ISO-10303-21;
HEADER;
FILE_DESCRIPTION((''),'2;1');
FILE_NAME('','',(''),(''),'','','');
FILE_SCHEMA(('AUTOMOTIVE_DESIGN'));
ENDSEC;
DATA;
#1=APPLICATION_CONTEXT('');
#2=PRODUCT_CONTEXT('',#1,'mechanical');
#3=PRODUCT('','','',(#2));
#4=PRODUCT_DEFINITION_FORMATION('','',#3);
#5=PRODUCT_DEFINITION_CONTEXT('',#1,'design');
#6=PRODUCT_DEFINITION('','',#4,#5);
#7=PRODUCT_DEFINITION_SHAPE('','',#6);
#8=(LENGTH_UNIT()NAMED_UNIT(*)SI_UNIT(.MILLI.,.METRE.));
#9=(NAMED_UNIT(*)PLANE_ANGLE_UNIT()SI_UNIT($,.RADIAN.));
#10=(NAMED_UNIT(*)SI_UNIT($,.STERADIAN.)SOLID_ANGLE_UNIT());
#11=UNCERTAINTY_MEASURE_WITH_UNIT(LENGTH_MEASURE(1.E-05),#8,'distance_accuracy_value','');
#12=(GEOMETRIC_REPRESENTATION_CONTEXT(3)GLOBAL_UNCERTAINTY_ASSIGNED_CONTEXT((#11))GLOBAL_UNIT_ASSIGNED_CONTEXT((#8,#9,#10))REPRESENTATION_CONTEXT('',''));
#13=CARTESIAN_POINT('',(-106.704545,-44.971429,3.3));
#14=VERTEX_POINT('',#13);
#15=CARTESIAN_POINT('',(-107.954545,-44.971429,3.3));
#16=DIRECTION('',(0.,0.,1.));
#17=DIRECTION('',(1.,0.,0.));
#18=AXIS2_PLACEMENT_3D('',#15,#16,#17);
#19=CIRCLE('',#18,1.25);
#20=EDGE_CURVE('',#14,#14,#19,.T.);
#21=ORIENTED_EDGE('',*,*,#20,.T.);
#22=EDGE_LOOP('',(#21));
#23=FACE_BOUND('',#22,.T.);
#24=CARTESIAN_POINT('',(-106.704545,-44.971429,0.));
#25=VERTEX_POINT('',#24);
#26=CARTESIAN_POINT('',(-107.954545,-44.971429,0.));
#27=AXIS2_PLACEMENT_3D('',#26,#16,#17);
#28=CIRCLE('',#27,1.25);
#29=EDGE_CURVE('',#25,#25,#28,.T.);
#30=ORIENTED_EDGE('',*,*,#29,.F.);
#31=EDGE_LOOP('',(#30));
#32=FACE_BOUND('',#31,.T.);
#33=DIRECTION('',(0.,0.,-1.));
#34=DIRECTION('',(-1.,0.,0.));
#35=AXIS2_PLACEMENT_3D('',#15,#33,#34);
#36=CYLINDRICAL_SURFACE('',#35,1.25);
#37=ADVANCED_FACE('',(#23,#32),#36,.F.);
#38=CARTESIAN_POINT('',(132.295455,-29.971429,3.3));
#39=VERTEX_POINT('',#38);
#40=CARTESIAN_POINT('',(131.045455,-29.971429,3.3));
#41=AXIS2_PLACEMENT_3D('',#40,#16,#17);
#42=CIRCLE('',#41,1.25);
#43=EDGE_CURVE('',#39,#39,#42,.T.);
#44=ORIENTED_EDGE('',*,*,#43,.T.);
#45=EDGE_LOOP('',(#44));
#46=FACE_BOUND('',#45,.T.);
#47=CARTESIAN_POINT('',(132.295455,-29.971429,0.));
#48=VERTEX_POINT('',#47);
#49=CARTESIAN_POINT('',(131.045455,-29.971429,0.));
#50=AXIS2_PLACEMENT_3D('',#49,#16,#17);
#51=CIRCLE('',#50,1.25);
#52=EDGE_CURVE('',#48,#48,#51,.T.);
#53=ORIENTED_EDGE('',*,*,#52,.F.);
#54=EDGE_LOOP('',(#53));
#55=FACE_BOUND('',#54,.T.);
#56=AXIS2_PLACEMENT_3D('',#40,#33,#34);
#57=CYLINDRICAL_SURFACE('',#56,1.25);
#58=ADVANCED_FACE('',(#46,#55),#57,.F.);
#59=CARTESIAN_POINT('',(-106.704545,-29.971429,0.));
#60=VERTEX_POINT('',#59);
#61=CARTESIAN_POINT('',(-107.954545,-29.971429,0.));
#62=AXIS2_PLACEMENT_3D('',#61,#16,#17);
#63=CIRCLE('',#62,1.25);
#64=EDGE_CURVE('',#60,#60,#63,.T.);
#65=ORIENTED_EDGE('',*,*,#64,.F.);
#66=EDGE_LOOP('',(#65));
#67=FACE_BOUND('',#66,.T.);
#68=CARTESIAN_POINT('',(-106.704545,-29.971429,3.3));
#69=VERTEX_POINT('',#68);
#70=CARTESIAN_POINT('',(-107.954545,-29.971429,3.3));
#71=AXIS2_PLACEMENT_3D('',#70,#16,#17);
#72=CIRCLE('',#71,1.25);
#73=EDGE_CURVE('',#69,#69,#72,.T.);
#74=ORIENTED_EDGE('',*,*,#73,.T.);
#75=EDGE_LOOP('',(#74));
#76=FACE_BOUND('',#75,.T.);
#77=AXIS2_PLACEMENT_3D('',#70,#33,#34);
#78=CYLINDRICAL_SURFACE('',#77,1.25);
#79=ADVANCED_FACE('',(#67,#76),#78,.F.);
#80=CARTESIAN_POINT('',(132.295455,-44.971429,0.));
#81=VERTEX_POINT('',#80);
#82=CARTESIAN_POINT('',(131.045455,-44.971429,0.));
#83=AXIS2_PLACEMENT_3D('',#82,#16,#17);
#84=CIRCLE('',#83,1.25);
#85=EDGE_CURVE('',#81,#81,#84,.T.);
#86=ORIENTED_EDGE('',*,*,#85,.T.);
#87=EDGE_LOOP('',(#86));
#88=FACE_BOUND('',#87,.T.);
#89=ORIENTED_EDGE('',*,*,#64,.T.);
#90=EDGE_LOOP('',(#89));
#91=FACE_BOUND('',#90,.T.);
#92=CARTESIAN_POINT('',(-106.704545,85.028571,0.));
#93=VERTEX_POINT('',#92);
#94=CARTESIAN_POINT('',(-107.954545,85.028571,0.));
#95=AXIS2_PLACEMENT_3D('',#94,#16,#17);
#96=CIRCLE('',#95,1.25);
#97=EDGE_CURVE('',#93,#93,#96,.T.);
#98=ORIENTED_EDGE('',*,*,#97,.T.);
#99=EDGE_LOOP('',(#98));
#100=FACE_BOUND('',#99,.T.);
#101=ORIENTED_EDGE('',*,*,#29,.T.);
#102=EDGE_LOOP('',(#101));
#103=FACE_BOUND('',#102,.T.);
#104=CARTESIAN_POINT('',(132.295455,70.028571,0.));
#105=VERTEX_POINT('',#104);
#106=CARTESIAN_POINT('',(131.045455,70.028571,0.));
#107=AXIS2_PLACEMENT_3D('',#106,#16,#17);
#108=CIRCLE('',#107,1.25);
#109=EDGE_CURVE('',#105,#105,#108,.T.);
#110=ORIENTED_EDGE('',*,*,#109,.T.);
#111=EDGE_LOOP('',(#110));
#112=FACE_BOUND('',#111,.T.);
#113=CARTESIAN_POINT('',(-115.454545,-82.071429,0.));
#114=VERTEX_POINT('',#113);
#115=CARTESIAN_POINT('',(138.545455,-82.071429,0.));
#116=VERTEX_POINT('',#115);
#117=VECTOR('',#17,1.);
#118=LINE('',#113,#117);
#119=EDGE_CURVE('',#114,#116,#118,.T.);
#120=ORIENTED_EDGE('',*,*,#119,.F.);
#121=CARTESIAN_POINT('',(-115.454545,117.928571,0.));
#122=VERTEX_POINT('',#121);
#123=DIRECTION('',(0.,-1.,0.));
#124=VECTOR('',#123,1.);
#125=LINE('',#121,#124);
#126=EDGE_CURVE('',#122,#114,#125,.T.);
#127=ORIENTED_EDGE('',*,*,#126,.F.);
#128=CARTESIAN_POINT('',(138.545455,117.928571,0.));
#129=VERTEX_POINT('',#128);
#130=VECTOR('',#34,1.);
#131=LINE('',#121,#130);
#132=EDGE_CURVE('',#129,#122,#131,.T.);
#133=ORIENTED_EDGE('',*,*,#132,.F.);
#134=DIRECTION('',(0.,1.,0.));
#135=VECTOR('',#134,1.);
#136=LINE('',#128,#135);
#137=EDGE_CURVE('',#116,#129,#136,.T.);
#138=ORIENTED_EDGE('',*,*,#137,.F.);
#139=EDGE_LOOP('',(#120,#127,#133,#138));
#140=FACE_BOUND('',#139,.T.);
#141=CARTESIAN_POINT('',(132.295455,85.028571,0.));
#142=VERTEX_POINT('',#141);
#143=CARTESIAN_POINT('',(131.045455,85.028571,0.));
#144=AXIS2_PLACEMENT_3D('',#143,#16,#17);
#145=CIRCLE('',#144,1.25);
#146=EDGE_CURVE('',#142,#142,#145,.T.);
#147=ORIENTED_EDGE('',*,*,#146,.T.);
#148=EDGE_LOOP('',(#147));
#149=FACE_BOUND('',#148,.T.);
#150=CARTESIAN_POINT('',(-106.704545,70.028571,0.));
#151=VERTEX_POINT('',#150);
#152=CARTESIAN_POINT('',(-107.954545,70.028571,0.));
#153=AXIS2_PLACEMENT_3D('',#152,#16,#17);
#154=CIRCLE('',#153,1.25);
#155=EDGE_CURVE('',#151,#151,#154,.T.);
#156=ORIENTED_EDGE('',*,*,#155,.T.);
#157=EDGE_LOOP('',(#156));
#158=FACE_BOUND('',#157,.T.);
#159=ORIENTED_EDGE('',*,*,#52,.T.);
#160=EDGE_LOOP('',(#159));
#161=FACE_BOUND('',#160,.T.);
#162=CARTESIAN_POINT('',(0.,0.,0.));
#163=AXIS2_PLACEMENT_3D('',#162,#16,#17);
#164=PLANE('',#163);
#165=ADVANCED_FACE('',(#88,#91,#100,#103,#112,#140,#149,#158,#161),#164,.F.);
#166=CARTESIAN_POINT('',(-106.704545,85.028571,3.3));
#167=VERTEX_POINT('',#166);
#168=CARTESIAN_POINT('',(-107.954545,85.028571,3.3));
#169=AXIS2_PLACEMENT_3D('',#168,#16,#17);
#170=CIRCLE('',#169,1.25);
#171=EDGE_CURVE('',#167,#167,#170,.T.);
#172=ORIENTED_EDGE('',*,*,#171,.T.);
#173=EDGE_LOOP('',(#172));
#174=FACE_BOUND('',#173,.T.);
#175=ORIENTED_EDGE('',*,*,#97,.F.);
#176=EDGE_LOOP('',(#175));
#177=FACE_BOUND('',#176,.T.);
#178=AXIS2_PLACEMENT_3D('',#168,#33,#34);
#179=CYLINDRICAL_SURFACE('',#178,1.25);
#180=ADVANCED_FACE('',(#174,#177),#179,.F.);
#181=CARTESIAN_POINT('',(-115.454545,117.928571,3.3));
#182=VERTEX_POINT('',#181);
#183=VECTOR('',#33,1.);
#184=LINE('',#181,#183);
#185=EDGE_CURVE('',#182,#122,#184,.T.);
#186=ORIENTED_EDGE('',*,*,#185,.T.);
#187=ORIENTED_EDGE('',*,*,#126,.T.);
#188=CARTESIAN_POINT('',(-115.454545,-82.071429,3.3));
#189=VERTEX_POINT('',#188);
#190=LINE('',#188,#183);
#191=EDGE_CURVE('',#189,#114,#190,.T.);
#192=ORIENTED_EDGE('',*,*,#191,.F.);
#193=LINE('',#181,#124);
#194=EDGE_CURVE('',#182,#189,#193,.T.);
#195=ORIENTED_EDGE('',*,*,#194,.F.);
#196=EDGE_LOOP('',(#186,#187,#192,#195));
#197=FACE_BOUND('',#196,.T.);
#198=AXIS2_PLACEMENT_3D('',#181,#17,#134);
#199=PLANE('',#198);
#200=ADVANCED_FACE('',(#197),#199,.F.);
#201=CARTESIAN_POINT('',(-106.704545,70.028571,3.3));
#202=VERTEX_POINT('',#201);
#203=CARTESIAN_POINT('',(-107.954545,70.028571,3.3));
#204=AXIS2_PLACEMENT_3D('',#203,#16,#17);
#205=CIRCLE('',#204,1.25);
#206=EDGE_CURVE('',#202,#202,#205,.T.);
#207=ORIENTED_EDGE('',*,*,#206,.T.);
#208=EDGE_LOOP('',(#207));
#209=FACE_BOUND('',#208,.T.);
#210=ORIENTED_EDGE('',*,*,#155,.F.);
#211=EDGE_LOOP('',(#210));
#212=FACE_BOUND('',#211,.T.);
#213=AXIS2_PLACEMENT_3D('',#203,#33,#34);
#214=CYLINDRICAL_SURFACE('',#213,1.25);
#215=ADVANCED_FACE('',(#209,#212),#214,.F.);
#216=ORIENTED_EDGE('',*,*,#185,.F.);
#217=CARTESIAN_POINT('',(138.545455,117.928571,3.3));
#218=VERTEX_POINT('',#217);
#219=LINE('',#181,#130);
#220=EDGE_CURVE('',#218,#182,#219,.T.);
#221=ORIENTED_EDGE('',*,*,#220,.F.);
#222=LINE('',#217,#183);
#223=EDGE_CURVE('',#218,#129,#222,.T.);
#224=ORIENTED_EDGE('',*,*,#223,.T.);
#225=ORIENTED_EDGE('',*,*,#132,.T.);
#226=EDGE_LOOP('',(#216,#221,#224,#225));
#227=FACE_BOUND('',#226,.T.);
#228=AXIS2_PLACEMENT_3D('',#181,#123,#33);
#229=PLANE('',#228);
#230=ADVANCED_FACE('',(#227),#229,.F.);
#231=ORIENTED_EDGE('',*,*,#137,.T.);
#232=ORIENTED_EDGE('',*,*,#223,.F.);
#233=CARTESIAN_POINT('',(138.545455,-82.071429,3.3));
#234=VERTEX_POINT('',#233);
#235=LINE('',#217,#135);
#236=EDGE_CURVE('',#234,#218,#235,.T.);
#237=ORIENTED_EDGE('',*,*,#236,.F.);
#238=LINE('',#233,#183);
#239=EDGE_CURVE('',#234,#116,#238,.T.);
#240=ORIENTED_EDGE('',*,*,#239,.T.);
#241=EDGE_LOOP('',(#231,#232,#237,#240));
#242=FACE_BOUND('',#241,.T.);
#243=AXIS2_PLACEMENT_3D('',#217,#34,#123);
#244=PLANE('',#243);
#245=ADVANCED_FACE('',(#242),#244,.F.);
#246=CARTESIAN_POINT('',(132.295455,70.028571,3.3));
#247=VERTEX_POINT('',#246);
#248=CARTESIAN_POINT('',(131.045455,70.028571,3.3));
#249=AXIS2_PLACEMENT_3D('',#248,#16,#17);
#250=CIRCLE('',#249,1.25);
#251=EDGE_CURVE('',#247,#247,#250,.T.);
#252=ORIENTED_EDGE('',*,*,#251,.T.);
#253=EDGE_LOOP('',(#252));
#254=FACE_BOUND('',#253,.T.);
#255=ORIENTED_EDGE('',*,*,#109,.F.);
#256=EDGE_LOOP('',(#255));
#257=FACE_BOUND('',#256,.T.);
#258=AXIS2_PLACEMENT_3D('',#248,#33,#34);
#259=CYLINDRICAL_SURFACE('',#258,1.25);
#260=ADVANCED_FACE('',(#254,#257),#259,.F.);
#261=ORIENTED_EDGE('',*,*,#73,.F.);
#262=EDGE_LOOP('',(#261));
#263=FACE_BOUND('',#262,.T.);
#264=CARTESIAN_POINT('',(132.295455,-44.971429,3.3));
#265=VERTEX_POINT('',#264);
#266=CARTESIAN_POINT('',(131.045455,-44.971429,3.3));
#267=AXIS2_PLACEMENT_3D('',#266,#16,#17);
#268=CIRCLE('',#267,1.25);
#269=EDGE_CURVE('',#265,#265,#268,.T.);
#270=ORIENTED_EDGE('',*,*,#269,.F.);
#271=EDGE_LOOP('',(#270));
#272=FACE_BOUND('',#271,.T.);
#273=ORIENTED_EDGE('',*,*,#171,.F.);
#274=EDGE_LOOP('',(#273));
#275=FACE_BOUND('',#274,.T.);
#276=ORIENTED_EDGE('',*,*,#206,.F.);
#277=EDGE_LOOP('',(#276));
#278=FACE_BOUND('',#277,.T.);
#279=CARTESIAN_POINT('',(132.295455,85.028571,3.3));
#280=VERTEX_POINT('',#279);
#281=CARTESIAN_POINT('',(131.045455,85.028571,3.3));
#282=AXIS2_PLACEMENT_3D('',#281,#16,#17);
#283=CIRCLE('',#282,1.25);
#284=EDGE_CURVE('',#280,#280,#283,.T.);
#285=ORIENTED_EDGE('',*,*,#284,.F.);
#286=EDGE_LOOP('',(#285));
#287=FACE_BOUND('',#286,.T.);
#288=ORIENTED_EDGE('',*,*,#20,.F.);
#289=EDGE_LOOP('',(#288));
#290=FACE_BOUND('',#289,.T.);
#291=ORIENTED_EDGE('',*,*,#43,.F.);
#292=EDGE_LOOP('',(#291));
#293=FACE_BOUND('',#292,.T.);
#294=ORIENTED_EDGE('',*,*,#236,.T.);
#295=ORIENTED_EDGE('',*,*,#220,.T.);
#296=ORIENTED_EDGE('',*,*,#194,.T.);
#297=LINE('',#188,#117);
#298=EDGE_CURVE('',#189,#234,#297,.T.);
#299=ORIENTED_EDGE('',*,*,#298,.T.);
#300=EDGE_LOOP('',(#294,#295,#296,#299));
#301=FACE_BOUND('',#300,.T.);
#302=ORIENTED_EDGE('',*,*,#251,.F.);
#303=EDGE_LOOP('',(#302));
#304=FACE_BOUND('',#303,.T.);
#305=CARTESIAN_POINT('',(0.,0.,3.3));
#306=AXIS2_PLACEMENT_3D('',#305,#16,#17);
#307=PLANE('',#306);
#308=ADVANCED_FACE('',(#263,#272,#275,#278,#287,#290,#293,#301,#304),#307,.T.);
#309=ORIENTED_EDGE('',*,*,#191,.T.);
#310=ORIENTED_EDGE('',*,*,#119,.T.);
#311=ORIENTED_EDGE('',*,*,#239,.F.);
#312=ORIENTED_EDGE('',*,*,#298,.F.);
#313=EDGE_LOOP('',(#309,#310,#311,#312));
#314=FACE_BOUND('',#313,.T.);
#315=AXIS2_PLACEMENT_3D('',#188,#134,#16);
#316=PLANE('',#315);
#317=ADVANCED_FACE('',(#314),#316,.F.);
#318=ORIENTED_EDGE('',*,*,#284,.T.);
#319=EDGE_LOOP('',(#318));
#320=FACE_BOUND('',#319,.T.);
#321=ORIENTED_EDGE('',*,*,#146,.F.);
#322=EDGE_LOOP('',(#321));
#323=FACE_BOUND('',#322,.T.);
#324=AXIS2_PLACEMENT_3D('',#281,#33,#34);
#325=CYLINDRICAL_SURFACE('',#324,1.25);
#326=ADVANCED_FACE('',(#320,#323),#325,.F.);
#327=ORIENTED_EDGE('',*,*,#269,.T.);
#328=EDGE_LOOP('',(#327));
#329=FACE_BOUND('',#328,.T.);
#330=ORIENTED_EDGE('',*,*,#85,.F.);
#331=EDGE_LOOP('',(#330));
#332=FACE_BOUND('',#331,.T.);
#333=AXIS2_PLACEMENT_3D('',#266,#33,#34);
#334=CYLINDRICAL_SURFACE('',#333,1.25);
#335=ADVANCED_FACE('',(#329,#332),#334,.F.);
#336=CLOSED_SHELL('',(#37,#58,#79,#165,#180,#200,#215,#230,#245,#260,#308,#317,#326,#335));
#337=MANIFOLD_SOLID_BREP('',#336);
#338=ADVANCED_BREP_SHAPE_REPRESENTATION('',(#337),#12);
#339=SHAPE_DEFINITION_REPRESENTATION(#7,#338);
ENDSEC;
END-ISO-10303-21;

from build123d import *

# Parameters (mm, degrees)
SKETCH1_W           = 254
SKETCH1_H           = 200
SKETCH1_R           = 1.25
BOSS_EXTRUDE1_DEPTH = 3.3


with BuildPart() as part:
    # Sketch1 → Boss-Extrude1 (new body)
    with BuildSketch(Plane.XY):
        with Locations((11.545454545, 17.928571429)):
            Rectangle(SKETCH1_W, SKETCH1_H)
        with Locations((-107.954545455, 85.028571429)):
            Circle(SKETCH1_R, mode=Mode.SUBTRACT)
        with Locations((-107.954545455, 70.028571429)):
            Circle(SKETCH1_R, mode=Mode.SUBTRACT)
        with Locations((131.045454545, 85.028571429)):
            Circle(SKETCH1_R, mode=Mode.SUBTRACT)
        with Locations((131.045454545, 70.028571429)):
            Circle(SKETCH1_R, mode=Mode.SUBTRACT)
        with Locations((-107.954545455, -29.971428571)):
            Circle(SKETCH1_R, mode=Mode.SUBTRACT)
        with Locations((131.045454545, -29.971428571)):
            Circle(SKETCH1_R, mode=Mode.SUBTRACT)
        with Locations((-107.954545455, -44.971428571)):
            Circle(SKETCH1_R, mode=Mode.SUBTRACT)
        with Locations((131.045454545, -44.971428571)):
            Circle(SKETCH1_R, mode=Mode.SUBTRACT)
    extrude(amount=BOSS_EXTRUDE1_DEPTH)


solid = part.part
